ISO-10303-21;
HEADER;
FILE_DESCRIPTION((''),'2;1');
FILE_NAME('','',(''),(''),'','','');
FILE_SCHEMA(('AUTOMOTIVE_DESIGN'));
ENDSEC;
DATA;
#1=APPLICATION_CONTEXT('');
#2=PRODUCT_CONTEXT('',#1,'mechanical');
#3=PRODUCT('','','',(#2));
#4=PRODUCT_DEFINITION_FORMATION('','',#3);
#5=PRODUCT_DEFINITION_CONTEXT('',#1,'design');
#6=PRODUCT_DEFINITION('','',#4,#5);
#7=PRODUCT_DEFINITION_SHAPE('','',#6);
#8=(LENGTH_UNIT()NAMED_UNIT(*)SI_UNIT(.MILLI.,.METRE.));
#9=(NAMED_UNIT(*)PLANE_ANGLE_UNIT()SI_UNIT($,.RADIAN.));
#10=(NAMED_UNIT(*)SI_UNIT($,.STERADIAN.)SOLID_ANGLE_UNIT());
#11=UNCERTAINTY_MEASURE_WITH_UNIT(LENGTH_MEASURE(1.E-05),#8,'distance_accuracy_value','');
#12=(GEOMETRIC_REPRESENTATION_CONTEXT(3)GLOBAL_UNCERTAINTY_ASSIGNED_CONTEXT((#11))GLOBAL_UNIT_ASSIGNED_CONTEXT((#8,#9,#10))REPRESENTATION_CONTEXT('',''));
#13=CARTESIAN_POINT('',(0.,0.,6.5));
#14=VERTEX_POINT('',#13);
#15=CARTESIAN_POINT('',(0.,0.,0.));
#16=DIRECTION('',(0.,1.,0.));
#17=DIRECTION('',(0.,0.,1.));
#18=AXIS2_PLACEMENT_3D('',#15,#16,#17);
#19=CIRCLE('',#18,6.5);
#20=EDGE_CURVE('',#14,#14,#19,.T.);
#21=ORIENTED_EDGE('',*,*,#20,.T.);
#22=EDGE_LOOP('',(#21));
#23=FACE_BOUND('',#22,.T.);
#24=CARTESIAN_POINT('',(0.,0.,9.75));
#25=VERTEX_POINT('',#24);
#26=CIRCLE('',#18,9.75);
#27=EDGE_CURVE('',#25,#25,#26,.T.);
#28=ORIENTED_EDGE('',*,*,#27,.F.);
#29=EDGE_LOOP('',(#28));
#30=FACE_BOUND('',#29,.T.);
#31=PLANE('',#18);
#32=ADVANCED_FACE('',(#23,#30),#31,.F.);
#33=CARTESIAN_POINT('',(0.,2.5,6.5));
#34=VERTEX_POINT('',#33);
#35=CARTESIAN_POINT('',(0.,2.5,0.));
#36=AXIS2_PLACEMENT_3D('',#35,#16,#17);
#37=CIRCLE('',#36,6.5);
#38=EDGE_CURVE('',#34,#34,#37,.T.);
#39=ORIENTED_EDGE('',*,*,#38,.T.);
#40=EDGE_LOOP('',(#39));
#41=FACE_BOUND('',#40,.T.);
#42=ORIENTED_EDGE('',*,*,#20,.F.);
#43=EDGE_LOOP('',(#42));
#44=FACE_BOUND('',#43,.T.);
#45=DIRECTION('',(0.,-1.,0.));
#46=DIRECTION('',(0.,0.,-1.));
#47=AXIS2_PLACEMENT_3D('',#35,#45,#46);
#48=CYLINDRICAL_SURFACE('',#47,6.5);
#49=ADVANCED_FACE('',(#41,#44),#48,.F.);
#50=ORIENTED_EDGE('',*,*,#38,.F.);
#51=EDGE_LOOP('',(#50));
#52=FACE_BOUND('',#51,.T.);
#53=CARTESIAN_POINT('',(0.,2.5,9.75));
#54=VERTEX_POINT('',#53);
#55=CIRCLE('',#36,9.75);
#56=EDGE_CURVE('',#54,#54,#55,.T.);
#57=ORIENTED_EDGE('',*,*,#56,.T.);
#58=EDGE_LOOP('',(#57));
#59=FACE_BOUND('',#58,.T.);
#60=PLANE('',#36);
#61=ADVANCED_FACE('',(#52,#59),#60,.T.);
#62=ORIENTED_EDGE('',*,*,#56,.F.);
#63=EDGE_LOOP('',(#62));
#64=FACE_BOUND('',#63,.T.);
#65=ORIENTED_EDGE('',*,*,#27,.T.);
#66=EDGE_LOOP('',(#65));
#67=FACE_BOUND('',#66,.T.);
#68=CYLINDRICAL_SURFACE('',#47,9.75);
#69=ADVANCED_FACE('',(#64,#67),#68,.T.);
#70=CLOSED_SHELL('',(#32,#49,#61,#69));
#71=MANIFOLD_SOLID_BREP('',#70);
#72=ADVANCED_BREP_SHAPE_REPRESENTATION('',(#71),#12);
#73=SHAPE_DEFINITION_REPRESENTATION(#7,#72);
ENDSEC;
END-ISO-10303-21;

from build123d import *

# Parameters (mm, degrees)
SZKIC1_R                    = 9.75
SZKIC1_R_2                  = 6.5
DODANIE_WYCI_GNI_CIE1_DEPTH = 2.5


with BuildPart() as part:
    # Szkic1 → Dodanie-wyciągnięcie1 (new body)
    with BuildSketch(Plane(origin=(0, 0, 0), x_dir=(1, 0, 0), z_dir=(0, 1, 0))):
        Circle(SZKIC1_R)
        Circle(SZKIC1_R_2, mode=Mode.SUBTRACT)
    extrude(amount=DODANIE_WYCI_GNI_CIE1_DEPTH)


solid = part.part
